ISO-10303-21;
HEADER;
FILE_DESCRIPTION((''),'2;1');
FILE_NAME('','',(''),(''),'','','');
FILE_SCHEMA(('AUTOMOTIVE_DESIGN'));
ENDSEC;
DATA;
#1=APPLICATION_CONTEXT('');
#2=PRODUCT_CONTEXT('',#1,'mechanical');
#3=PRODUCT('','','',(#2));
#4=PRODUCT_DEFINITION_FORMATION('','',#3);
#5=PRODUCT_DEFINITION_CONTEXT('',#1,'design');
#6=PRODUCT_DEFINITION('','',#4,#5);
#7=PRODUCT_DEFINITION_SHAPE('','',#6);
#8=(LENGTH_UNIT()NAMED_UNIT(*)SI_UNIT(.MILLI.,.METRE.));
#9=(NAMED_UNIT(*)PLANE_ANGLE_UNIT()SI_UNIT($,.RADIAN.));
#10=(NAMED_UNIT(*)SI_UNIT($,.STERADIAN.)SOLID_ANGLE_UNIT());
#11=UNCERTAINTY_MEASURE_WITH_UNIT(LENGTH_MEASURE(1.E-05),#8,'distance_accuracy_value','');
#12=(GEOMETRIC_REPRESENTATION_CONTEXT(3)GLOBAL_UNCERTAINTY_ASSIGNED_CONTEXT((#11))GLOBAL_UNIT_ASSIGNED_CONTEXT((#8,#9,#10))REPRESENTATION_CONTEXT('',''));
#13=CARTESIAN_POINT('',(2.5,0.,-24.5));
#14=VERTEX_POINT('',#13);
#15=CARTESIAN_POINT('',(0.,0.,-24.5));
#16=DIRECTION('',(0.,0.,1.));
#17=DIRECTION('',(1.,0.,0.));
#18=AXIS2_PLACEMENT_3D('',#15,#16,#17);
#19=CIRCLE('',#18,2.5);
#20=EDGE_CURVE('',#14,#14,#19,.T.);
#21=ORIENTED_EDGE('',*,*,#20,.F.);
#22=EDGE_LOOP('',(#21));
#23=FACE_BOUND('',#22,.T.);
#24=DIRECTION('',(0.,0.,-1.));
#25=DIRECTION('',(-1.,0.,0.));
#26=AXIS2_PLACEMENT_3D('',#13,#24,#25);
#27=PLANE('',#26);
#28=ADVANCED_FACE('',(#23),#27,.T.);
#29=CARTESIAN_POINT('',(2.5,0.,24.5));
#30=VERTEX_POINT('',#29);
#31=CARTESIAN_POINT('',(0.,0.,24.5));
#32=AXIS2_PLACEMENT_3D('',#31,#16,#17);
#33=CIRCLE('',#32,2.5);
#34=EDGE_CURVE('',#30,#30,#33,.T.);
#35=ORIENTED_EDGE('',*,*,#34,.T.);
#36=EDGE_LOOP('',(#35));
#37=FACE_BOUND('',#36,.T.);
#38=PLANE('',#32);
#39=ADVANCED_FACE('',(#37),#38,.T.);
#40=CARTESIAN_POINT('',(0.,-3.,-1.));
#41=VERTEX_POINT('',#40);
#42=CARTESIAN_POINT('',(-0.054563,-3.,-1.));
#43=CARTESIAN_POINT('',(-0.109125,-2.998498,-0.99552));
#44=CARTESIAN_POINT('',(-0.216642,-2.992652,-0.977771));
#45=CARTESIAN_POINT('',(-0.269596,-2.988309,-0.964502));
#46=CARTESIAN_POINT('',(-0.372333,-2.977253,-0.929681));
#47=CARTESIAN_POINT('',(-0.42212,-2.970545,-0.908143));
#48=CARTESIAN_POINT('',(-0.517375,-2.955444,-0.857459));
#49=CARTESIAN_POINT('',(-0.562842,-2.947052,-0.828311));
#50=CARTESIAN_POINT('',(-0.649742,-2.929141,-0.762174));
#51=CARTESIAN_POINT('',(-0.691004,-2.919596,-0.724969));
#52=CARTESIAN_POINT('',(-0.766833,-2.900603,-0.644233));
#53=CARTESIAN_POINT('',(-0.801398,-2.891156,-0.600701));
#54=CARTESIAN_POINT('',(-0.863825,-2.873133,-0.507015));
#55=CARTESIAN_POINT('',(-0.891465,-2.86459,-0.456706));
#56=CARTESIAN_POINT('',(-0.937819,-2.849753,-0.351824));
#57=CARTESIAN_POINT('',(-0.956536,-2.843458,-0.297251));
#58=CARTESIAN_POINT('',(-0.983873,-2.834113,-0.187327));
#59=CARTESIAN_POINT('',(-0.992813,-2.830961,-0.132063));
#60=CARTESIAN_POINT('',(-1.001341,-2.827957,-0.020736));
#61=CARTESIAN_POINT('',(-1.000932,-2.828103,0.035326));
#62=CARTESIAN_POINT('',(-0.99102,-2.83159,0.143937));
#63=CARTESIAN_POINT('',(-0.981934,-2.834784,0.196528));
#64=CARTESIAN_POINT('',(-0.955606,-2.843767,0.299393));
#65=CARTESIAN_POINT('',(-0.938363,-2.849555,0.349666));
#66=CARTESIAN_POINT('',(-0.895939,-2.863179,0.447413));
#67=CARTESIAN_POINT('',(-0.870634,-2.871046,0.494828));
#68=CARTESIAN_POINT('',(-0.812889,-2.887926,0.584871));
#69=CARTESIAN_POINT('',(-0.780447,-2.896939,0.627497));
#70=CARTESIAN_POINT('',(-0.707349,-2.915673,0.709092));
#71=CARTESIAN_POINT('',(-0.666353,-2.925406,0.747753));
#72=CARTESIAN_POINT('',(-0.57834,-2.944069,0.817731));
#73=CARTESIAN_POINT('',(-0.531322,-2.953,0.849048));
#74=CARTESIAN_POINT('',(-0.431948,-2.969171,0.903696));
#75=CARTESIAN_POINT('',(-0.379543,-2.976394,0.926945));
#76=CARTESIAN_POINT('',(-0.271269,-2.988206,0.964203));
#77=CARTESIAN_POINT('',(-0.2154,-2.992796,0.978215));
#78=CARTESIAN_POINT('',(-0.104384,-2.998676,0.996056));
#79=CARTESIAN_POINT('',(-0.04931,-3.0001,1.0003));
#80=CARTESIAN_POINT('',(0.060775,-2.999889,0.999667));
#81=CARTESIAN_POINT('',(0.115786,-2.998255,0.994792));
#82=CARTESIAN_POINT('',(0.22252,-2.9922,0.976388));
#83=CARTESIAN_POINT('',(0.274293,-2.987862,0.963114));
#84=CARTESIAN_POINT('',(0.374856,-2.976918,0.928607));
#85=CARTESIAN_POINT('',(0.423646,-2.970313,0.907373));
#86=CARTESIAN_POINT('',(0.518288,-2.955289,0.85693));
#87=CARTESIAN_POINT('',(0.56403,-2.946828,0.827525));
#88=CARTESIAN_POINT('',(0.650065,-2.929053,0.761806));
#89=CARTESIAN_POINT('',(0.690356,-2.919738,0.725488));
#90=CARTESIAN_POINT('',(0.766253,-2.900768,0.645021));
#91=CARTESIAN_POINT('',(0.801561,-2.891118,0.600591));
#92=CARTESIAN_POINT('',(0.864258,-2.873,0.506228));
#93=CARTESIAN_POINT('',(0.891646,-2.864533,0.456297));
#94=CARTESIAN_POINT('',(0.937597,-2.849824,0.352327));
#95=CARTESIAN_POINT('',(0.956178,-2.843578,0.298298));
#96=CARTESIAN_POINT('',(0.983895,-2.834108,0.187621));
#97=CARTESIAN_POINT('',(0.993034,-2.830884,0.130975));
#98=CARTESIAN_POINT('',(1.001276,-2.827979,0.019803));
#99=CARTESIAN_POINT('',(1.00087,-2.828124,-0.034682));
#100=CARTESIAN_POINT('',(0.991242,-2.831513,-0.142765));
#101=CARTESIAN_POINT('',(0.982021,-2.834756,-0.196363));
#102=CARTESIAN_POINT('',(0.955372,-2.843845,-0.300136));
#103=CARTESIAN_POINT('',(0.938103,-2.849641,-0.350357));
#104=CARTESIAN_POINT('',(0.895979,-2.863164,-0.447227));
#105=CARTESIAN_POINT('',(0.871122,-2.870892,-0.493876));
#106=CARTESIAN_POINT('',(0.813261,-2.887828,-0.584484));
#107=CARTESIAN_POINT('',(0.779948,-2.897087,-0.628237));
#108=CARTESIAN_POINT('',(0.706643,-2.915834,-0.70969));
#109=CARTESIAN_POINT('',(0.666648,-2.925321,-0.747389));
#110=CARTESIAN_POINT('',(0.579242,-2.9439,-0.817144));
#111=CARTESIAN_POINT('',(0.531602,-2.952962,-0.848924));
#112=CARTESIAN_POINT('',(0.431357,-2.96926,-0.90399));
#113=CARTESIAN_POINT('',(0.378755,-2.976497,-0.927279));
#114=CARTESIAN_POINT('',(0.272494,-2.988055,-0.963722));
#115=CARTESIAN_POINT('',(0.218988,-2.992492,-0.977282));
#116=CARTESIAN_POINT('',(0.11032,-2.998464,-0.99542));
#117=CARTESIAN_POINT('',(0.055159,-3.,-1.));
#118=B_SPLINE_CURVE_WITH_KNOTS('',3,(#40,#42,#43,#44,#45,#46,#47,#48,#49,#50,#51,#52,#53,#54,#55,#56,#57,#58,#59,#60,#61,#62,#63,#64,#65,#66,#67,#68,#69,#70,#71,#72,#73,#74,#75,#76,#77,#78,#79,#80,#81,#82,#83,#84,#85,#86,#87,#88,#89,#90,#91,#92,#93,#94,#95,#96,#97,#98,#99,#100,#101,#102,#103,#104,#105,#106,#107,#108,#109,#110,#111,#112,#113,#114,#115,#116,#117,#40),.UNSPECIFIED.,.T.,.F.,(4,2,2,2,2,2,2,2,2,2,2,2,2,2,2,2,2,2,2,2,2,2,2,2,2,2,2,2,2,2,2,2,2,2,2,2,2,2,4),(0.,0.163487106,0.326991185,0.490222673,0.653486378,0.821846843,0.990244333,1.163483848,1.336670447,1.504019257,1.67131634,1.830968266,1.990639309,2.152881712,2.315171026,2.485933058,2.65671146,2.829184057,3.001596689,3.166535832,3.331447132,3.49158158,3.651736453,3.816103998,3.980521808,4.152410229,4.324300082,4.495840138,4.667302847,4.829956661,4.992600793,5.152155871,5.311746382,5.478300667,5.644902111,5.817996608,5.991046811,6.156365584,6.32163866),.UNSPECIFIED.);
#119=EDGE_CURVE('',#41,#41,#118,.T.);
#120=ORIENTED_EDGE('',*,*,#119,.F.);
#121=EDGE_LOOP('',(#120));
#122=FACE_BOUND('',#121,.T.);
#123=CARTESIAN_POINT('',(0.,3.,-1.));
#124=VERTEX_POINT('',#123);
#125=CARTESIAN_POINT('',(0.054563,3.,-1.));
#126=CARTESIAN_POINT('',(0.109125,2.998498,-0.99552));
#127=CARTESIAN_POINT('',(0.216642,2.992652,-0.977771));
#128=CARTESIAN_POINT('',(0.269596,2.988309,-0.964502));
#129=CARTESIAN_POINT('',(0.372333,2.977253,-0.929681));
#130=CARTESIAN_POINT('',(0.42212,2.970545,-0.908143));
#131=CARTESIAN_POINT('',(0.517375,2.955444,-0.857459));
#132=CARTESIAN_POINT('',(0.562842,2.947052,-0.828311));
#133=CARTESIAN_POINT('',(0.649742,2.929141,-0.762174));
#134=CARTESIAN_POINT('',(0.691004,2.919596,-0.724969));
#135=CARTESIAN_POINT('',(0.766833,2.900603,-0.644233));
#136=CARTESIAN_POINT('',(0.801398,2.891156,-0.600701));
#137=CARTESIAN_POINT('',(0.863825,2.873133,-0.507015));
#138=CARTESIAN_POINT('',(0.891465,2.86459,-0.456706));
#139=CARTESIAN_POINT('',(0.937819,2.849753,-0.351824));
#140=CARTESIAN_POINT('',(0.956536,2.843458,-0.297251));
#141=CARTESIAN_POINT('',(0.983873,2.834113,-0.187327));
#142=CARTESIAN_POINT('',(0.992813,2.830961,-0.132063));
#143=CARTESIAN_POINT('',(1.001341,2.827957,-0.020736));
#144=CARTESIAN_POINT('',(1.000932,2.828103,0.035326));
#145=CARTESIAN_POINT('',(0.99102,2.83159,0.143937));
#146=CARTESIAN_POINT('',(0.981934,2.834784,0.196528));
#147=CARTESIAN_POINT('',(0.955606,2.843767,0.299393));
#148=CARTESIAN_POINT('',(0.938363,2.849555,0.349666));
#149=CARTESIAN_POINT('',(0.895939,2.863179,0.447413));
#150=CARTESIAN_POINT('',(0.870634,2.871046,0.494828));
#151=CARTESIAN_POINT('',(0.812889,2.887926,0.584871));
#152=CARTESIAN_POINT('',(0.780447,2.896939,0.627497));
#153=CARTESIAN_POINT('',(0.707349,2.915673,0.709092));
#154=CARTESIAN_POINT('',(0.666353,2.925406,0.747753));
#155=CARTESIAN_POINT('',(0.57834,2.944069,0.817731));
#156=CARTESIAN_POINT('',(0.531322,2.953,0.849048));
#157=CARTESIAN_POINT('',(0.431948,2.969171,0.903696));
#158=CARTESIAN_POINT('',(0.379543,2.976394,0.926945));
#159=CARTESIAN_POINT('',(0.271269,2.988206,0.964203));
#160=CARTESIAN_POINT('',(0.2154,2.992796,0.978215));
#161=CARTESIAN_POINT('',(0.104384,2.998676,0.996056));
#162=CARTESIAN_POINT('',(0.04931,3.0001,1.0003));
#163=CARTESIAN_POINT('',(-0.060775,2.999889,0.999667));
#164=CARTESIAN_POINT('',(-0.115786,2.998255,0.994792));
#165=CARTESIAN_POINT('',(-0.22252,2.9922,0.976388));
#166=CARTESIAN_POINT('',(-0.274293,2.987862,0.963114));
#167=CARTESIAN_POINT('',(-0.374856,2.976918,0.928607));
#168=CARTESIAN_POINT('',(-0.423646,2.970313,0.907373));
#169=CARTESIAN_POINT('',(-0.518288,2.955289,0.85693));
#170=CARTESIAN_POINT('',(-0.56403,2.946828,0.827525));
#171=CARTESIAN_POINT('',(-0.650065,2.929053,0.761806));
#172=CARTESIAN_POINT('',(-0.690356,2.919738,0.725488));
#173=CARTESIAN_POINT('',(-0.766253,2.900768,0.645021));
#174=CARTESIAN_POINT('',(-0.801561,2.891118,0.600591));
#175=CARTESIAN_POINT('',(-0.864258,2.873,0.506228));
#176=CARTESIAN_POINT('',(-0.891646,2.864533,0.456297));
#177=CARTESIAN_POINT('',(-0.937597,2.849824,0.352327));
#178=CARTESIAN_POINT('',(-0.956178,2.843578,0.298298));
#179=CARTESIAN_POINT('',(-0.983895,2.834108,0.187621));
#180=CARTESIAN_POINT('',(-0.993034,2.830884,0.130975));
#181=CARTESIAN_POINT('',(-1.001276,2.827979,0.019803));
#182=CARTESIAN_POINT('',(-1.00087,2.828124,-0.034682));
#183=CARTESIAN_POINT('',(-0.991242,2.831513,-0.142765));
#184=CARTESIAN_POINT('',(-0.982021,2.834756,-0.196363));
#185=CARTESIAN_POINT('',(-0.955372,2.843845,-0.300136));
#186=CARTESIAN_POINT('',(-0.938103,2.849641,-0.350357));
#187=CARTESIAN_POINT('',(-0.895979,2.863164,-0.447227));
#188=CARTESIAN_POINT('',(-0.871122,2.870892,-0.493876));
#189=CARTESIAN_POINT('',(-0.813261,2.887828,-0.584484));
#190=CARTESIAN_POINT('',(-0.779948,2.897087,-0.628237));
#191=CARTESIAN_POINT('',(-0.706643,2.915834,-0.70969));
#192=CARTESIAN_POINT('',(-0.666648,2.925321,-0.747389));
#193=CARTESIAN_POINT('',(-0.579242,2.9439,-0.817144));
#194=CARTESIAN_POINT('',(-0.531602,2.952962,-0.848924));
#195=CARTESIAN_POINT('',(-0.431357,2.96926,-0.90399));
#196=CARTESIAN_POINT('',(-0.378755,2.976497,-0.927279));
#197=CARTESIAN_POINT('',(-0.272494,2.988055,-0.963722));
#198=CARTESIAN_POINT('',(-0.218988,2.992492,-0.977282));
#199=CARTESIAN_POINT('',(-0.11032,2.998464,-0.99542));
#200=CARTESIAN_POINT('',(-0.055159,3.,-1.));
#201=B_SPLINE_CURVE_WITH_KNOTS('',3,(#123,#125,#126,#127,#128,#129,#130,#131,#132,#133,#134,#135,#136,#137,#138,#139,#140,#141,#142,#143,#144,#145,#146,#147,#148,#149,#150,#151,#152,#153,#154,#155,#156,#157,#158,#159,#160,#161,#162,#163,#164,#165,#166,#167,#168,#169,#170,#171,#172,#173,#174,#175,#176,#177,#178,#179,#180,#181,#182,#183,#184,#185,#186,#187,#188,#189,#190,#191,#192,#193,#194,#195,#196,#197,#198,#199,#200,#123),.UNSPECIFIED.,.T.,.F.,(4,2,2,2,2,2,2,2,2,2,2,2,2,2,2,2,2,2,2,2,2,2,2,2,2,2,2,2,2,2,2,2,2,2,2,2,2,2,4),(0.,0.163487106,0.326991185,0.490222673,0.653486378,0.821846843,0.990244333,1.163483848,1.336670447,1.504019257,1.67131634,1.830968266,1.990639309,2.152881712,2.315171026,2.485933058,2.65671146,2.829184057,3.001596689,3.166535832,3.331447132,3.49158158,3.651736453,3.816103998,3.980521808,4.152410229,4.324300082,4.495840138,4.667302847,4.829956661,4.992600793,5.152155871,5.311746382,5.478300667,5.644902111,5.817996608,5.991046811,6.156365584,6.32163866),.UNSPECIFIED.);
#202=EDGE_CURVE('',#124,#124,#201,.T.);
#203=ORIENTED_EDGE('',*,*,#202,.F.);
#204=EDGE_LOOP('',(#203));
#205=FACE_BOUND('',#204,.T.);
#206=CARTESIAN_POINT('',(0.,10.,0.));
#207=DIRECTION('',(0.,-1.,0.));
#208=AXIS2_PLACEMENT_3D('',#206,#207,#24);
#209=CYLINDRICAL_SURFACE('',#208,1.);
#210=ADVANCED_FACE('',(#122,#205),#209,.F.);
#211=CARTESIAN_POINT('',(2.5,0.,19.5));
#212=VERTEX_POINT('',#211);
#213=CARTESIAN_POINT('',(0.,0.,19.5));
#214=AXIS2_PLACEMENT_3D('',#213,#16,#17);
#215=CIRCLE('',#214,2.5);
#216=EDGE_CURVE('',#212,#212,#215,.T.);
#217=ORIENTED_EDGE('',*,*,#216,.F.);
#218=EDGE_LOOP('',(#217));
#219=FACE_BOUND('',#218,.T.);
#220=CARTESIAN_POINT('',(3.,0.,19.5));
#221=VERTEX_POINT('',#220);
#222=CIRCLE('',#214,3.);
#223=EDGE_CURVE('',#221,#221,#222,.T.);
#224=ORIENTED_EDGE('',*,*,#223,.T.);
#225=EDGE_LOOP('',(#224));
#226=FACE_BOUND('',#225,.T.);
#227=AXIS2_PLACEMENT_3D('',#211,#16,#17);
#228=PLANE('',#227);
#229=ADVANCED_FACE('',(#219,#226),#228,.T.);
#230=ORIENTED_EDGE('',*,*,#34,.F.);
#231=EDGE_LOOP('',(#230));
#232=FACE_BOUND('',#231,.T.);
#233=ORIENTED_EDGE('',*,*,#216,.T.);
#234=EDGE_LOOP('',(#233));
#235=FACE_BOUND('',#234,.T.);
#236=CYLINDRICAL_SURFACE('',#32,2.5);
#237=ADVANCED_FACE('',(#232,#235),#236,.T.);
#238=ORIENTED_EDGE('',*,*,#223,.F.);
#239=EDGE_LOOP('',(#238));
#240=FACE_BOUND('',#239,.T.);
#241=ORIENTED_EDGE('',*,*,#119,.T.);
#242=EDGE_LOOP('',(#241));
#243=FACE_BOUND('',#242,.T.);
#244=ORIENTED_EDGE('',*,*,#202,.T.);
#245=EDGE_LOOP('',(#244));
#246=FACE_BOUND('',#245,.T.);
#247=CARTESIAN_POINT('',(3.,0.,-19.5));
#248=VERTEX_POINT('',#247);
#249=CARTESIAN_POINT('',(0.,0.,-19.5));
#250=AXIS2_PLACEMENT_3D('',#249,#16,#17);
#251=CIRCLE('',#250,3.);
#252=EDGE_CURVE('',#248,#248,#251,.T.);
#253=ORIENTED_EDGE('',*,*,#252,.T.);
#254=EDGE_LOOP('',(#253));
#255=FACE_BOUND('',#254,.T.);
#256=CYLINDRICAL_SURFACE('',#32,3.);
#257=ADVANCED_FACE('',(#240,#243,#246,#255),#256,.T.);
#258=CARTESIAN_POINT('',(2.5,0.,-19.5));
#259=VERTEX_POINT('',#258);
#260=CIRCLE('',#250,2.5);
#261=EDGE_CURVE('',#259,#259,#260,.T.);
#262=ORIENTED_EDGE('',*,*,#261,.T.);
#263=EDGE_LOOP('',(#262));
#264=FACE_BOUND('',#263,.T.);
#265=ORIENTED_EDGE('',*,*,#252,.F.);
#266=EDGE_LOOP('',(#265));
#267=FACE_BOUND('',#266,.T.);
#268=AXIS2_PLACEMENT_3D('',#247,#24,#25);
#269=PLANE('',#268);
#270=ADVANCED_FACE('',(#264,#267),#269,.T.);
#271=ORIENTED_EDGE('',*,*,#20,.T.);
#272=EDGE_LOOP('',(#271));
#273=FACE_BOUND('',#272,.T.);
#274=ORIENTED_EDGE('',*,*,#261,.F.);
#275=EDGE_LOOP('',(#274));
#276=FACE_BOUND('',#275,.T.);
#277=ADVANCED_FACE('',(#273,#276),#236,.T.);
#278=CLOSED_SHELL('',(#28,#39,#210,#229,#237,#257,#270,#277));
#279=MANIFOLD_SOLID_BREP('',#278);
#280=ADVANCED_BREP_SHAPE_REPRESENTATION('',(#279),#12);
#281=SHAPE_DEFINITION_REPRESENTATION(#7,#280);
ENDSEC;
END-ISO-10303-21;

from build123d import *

# Parameters (mm, degrees)
SKETCH2_R               = 1
CUT_EXTRUDE1_DEPTH      = 10
CUT_EXTRUDE1_DEPTH_BACK = 10


with BuildPart() as part:
    # Sketch1 → Revolve1 (revolve)
    with BuildSketch(Plane(origin=(0, 0, 0), x_dir=(1, 0, 0), z_dir=(0, 1, 0))):
        Polygon((0, -24.5), (2.5, -24.5), (2.5, -19.5), (3, -19.5), (3, 19.5), (2.5, 19.5), (2.5, 24.5), (0, 24.5), align=None)
    revolve(axis=Axis((0, 0, 24.5), (0, 0, -1)))

    # Sketch2 → Cut-Extrude1 (cut, two sides)
    with BuildSketch(Plane(origin=(0, 0, 0), x_dir=(1, 0, 0), z_dir=(0, 1, 0))) as cut_extrude1_sk:
        with Locations(Location((0, 0, 0), (0, 0, 90))):  # turned: the seam where the file's is
            Circle(SKETCH2_R)
    extrude(amount=CUT_EXTRUDE1_DEPTH, mode=Mode.SUBTRACT)
    extrude(cut_extrude1_sk.sketch, amount=-CUT_EXTRUDE1_DEPTH_BACK, mode=Mode.SUBTRACT)


solid = part.part
